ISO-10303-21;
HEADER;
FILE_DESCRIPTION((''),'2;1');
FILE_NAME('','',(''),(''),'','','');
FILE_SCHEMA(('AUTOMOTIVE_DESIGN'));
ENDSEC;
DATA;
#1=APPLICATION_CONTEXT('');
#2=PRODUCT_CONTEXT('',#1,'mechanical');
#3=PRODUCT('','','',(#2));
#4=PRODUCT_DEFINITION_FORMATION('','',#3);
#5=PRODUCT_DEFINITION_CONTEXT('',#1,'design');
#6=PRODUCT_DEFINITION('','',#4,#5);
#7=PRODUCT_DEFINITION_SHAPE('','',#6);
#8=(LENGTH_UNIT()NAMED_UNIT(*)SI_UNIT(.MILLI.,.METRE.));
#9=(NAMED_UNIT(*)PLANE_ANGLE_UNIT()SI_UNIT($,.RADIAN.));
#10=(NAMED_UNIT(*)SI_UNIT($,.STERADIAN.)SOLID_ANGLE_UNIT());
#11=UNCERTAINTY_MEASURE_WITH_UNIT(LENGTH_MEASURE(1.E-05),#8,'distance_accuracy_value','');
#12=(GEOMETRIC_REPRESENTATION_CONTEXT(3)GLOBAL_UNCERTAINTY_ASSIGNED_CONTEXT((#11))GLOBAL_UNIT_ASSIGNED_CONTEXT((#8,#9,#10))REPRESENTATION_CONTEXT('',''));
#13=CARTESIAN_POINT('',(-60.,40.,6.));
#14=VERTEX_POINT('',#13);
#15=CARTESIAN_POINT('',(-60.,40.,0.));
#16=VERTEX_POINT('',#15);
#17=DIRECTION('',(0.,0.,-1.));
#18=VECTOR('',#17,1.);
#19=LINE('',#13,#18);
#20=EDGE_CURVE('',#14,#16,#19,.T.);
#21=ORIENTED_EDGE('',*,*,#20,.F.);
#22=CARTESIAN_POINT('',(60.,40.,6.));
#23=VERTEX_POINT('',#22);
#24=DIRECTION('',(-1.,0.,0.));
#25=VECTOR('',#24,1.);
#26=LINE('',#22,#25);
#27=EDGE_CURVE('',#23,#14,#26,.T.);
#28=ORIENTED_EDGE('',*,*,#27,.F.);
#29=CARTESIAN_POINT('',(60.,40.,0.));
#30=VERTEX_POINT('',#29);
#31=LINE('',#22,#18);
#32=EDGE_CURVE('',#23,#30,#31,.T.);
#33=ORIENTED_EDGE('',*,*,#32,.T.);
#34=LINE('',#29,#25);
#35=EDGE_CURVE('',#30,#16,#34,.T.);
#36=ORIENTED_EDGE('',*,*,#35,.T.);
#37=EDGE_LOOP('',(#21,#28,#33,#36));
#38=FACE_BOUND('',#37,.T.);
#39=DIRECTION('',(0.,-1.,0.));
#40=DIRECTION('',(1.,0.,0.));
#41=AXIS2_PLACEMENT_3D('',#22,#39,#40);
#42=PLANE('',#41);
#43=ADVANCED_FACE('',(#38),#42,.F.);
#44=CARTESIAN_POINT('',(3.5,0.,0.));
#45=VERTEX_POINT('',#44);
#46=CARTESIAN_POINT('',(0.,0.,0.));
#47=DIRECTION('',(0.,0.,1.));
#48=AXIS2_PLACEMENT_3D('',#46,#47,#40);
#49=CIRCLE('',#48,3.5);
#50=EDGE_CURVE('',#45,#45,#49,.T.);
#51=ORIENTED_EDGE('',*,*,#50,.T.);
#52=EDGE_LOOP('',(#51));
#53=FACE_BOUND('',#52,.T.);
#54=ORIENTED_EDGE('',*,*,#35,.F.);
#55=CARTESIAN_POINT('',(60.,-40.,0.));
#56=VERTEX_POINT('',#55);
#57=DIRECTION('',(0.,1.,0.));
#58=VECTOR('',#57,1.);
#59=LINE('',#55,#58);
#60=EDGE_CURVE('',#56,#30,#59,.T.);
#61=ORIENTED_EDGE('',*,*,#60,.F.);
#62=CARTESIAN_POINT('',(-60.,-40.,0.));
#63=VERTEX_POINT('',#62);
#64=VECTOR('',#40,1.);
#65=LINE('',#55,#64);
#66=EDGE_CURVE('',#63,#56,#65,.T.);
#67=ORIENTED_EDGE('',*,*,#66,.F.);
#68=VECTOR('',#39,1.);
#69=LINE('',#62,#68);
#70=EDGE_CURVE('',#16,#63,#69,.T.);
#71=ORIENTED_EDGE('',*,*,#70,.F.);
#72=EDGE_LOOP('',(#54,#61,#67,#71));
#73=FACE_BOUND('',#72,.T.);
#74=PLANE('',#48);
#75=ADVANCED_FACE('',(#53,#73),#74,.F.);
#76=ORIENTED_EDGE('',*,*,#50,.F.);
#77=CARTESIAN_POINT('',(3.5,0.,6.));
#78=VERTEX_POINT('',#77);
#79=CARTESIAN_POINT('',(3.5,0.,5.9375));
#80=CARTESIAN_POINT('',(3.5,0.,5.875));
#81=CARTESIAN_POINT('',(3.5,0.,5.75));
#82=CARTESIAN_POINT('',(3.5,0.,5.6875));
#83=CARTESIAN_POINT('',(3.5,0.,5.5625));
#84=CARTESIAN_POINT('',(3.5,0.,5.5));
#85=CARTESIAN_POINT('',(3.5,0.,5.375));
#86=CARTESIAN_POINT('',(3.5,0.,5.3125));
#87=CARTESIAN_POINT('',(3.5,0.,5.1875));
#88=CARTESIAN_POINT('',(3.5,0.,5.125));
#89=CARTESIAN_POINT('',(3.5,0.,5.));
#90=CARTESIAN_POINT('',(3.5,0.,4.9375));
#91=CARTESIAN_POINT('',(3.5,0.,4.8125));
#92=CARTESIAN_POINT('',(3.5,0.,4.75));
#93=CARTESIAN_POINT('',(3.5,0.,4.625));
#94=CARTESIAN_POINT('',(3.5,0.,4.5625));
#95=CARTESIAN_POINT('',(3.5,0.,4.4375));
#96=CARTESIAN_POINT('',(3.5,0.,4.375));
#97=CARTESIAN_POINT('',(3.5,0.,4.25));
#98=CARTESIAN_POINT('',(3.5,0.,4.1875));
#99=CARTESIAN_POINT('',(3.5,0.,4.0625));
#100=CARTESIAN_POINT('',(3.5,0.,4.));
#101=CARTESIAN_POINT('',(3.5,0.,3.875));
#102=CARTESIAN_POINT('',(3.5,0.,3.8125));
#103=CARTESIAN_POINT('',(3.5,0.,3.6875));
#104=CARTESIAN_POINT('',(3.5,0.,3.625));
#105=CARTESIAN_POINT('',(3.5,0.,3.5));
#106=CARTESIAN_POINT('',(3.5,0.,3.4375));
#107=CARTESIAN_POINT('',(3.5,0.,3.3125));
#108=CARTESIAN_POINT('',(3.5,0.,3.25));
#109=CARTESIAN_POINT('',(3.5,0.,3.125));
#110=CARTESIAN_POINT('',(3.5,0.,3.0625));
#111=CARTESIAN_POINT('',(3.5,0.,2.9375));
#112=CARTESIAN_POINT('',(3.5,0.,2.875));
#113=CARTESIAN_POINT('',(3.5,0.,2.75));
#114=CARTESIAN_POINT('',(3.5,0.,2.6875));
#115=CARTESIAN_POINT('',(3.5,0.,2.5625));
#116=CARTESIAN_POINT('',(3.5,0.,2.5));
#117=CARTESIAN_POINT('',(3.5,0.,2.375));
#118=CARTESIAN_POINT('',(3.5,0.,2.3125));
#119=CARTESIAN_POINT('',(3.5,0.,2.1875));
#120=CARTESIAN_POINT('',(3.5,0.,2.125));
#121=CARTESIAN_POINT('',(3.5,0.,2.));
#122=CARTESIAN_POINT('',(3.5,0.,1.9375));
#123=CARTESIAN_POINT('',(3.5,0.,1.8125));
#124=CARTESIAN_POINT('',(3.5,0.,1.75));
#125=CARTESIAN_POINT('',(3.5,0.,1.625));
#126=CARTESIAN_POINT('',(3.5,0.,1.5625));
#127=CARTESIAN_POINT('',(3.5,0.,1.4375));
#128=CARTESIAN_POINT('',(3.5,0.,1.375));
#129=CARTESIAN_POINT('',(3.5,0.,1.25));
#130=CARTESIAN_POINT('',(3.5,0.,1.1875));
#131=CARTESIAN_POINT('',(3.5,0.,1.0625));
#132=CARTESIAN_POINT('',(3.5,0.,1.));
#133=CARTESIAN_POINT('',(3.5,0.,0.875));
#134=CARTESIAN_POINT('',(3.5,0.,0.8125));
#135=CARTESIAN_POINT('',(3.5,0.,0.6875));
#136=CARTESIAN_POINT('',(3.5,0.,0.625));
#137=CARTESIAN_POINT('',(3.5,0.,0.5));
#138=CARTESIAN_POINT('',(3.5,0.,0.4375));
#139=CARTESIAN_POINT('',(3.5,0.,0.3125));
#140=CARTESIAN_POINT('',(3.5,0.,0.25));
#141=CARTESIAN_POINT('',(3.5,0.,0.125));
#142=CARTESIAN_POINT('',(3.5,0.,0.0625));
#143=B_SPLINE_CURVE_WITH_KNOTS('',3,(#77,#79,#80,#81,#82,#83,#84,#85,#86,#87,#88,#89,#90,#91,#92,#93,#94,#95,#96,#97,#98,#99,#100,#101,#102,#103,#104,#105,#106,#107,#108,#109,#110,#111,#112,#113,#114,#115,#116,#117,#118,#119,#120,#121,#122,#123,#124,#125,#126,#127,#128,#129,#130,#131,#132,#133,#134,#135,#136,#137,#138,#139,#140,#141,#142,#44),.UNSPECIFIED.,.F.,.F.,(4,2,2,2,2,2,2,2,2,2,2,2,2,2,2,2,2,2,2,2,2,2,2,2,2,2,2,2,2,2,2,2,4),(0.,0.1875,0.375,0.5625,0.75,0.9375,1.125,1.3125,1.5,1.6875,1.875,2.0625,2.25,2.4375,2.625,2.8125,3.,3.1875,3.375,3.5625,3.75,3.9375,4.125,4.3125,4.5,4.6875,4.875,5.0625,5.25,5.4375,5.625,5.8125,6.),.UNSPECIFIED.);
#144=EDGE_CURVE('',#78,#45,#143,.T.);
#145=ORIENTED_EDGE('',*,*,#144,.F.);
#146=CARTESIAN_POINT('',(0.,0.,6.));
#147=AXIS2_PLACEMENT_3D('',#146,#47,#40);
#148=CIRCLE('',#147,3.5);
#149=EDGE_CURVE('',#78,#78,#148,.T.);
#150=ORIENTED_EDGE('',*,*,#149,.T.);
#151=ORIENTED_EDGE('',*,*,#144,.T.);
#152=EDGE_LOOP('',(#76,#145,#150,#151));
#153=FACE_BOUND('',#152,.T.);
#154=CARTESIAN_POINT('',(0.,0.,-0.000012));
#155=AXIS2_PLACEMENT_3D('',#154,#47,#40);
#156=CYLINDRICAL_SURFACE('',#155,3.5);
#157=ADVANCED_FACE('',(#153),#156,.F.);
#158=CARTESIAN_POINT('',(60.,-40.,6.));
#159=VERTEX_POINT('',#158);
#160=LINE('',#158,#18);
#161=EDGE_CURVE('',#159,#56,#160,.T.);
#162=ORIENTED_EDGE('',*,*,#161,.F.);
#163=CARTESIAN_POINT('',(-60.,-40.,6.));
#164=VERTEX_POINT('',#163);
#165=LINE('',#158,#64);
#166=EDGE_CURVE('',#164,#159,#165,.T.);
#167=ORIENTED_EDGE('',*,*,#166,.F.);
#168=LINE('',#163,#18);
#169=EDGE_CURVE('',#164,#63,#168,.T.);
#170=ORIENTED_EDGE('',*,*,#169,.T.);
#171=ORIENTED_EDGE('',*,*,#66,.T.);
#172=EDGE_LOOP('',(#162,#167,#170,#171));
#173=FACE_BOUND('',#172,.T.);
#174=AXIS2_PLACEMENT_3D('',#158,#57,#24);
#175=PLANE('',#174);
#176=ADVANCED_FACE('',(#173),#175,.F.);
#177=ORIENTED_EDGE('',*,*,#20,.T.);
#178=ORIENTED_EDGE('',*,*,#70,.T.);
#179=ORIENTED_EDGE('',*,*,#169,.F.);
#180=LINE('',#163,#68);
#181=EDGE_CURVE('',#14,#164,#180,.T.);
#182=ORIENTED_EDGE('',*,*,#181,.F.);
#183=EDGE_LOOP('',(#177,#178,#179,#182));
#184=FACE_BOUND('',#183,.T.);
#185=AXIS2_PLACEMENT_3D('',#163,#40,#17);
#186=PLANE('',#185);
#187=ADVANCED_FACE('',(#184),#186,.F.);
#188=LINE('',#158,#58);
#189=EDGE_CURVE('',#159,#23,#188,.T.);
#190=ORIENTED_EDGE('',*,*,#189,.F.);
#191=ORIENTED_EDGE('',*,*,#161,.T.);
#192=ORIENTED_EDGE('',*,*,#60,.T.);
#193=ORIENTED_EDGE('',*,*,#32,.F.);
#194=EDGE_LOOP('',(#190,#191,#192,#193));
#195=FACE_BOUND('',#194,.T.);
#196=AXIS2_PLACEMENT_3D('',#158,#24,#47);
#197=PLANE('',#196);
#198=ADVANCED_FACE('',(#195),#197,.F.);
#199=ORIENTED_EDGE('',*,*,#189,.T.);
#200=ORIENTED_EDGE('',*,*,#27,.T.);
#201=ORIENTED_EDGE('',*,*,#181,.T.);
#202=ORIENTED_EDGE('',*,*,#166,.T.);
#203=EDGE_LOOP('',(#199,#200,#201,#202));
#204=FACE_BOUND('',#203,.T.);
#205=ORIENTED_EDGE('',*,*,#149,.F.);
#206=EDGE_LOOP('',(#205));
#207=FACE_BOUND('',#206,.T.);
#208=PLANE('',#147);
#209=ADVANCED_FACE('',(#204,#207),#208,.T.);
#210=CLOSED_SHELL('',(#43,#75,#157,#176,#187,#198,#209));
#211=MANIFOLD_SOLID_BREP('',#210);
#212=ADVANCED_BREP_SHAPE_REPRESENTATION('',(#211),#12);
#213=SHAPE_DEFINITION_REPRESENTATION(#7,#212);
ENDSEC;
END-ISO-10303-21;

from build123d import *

# Parameters (mm, degrees)
SKETCH1_W               = 120
SKETCH1_H               = 80
BOSS_EXTRUDE1_DEPTH     = 6
CUT_EXTRUDE3_DEPTH      = 73.360210061
CUT_EXTRUDE3_DEPTH_BACK = 73.360210061
SKETCH2_R               = 3.5


with BuildPart() as part:
    # Sketch1 → Boss-Extrude1 (new body)
    with BuildSketch(Plane.XY):
        Rectangle(SKETCH1_W, SKETCH1_H)
    extrude(amount=BOSS_EXTRUDE1_DEPTH)

    # Sketch2 → Cut-Extrude3 (cut, two sides: drawn at the far end of the back side and taken through both)
    with BuildSketch(Plane.XY.offset(-CUT_EXTRUDE3_DEPTH_BACK)):
        Circle(SKETCH2_R)
    extrude(amount=CUT_EXTRUDE3_DEPTH + CUT_EXTRUDE3_DEPTH_BACK, mode=Mode.SUBTRACT)


solid = part.part
